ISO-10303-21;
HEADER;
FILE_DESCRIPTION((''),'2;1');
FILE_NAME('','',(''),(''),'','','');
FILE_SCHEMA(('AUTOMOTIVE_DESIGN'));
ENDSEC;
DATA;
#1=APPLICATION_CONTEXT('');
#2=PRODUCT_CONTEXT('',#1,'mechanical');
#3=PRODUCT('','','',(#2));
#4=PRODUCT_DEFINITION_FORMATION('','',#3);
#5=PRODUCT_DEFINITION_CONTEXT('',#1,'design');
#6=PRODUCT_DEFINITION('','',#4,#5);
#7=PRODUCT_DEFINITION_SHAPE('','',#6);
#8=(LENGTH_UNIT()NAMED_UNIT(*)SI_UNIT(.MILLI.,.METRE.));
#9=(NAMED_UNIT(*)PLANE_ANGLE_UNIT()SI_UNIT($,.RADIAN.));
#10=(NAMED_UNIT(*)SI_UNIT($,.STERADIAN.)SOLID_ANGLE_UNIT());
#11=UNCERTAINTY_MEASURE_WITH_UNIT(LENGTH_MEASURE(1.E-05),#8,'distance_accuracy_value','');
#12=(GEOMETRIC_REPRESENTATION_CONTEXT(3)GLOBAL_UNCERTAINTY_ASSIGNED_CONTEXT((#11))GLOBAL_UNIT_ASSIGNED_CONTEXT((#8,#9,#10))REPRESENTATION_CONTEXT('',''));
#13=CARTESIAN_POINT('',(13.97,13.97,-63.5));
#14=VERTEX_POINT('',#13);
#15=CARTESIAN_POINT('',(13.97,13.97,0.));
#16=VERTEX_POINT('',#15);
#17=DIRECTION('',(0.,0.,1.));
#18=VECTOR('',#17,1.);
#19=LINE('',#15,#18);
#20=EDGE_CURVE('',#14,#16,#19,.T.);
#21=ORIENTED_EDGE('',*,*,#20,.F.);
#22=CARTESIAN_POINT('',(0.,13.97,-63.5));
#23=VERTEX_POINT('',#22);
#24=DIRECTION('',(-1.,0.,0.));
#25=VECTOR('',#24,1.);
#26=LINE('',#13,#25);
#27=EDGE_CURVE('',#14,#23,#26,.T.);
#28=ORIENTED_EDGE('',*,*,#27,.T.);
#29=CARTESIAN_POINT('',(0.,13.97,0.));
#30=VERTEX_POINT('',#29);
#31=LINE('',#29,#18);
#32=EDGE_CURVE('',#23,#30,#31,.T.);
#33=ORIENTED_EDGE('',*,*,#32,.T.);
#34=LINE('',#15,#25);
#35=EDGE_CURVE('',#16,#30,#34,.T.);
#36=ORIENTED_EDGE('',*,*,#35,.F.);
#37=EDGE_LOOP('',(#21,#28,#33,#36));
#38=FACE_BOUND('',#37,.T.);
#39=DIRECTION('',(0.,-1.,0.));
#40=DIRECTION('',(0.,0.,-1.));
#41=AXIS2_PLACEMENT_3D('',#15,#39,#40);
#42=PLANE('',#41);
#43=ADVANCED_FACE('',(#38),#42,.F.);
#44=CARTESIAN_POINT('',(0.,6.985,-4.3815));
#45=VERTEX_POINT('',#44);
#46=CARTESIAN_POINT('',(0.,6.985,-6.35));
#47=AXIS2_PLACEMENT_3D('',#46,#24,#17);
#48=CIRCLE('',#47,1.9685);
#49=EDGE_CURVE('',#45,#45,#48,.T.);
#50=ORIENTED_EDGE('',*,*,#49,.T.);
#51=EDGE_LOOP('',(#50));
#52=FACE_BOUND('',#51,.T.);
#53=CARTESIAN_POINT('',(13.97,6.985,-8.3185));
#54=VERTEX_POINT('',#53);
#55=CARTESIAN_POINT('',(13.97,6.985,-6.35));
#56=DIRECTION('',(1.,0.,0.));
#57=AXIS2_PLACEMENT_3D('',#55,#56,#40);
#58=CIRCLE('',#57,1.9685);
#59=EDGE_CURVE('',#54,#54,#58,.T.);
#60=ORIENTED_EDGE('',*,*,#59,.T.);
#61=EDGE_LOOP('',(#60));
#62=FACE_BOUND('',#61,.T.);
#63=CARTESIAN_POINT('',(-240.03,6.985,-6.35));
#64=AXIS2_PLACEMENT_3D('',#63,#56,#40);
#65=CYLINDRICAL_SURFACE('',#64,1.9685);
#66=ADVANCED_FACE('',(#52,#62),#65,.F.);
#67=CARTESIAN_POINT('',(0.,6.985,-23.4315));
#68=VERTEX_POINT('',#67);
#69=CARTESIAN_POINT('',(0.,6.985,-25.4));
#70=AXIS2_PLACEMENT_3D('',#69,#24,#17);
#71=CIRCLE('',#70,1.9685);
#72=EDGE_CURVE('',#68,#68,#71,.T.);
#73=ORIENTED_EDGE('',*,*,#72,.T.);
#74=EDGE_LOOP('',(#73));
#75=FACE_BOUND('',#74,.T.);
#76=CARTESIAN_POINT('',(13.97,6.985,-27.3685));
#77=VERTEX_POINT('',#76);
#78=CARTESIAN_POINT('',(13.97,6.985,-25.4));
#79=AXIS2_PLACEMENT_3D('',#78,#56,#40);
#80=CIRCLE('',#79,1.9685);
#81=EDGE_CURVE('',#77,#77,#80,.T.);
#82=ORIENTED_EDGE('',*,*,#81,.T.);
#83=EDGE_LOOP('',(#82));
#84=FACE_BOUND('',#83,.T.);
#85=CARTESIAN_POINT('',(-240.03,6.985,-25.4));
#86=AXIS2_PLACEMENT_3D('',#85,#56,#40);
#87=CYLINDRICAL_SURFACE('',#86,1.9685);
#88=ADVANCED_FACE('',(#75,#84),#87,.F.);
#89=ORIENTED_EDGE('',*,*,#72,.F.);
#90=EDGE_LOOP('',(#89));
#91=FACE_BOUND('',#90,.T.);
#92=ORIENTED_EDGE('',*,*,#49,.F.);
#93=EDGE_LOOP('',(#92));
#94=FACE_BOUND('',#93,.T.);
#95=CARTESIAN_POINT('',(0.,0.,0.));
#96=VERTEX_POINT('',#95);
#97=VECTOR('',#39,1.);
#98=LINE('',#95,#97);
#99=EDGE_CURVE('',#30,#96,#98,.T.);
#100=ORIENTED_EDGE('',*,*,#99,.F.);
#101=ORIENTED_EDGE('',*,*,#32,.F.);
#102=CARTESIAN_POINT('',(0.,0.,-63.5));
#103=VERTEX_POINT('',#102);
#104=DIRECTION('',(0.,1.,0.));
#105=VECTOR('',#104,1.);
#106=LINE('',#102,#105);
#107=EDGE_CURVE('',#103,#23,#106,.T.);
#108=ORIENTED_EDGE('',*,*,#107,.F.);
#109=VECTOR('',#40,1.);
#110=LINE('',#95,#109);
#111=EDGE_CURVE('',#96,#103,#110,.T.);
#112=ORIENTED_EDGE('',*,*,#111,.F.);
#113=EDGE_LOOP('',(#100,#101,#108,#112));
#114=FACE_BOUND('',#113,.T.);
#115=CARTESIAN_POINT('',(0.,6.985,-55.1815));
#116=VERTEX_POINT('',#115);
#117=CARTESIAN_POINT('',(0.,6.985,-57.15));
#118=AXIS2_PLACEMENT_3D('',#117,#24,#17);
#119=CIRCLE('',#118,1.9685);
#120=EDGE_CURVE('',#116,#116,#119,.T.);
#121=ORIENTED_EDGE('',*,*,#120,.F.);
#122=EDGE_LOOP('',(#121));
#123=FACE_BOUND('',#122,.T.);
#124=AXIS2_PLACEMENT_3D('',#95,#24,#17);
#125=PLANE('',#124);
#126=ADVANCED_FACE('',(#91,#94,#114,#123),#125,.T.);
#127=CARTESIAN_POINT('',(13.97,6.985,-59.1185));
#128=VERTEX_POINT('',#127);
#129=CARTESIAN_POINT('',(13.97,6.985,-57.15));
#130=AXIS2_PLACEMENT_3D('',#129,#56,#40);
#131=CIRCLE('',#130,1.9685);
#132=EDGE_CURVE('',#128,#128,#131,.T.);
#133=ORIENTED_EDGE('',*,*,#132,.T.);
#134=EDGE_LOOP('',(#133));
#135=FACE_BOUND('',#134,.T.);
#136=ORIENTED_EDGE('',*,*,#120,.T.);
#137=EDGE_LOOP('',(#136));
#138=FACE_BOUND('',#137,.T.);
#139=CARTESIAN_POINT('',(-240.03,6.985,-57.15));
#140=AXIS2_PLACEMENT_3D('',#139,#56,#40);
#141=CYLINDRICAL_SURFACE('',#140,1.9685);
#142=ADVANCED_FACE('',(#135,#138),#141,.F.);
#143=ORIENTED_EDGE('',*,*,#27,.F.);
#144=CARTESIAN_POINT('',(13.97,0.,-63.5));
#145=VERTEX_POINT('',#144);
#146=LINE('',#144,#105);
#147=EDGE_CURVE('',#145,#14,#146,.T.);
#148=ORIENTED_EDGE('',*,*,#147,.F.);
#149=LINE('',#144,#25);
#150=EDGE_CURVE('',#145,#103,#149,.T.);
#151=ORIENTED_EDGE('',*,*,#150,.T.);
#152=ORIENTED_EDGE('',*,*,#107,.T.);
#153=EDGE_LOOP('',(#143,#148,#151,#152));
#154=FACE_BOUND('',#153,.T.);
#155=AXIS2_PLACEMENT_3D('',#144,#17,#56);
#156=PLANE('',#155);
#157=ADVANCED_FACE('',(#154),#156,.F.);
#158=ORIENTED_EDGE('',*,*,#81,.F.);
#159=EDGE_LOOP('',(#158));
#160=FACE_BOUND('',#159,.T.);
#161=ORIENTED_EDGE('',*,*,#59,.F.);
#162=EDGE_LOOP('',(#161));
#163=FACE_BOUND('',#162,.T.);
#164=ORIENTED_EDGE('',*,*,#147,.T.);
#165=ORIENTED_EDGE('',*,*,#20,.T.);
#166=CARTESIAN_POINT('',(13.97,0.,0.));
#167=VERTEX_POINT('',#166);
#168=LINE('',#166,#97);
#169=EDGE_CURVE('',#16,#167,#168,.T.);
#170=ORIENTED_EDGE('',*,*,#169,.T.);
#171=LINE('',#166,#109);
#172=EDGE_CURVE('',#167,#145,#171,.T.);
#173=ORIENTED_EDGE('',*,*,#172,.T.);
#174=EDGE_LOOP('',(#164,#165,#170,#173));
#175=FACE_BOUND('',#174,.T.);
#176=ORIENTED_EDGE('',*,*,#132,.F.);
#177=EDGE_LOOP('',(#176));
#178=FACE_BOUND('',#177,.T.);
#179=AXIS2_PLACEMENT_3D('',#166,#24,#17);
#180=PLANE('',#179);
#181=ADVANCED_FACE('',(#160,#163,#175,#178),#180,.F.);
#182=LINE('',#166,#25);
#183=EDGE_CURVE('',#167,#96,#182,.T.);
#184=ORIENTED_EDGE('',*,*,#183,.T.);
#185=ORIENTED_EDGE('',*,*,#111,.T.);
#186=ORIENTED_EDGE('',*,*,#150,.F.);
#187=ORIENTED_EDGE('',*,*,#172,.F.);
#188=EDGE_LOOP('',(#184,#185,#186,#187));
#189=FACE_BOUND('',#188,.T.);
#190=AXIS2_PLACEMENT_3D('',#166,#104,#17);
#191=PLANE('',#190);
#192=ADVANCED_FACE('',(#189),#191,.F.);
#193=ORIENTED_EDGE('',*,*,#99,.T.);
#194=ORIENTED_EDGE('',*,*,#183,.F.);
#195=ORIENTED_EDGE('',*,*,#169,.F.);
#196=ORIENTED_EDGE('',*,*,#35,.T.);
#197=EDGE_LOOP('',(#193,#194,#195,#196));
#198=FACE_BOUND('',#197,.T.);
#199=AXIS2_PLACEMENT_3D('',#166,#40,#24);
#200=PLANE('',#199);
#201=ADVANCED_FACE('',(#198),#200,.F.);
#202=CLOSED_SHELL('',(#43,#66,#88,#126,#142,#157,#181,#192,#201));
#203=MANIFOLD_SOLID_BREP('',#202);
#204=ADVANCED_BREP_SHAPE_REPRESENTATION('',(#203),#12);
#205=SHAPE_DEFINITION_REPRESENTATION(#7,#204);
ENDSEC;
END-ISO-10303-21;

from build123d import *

# Parameters (mm, degrees)
SKETCH1_W           = 63.5
SKETCH1_H           = 13.97
BOSS_EXTRUDE3_DEPTH = 13.97
SKETCH3_R           = 1.9685
CUT_EXTRUDE1_DEPTH  = 254
CUT_EXTRUDE3_DEPTH  = 254


with BuildPart() as part:
    # Sketch1 → Boss-Extrude3 (new body)
    with BuildSketch(Plane(origin=(0, 0, 0), x_dir=(0, 0, -1), z_dir=(1, 0, 0))):
        with Locations((31.75, 6.985)):
            Rectangle(SKETCH1_W, SKETCH1_H)
    extrude(amount=BOSS_EXTRUDE3_DEPTH)

    # Sketch3 → Cut-Extrude1 (cut)
    with BuildSketch(Plane(origin=(13.97, 0, 0), x_dir=(0, 0, -1), z_dir=(1, 0, 0))):
        with Locations((6.35, 6.985)):
            Circle(SKETCH3_R)
        with Locations((57.15, 6.985)):
            Circle(SKETCH3_R)
    extrude(amount=-CUT_EXTRUDE1_DEPTH, mode=Mode.SUBTRACT)

    # Sketch4 → Cut-Extrude3 (cut)
    with BuildSketch(Plane(origin=(13.97, 0, 0), x_dir=(0, 0, -1), z_dir=(1, 0, 0))):
        with BuildLine():
            ThreePointArc((23.4315, 6.985), (25.4, 5.0165), (27.3685, 6.985))
            ThreePointArc((27.3685, 6.985), (25.4, 8.9535), (23.4315, 6.985))
        make_face()
    extrude(amount=-CUT_EXTRUDE3_DEPTH, mode=Mode.SUBTRACT)


solid = part.part
